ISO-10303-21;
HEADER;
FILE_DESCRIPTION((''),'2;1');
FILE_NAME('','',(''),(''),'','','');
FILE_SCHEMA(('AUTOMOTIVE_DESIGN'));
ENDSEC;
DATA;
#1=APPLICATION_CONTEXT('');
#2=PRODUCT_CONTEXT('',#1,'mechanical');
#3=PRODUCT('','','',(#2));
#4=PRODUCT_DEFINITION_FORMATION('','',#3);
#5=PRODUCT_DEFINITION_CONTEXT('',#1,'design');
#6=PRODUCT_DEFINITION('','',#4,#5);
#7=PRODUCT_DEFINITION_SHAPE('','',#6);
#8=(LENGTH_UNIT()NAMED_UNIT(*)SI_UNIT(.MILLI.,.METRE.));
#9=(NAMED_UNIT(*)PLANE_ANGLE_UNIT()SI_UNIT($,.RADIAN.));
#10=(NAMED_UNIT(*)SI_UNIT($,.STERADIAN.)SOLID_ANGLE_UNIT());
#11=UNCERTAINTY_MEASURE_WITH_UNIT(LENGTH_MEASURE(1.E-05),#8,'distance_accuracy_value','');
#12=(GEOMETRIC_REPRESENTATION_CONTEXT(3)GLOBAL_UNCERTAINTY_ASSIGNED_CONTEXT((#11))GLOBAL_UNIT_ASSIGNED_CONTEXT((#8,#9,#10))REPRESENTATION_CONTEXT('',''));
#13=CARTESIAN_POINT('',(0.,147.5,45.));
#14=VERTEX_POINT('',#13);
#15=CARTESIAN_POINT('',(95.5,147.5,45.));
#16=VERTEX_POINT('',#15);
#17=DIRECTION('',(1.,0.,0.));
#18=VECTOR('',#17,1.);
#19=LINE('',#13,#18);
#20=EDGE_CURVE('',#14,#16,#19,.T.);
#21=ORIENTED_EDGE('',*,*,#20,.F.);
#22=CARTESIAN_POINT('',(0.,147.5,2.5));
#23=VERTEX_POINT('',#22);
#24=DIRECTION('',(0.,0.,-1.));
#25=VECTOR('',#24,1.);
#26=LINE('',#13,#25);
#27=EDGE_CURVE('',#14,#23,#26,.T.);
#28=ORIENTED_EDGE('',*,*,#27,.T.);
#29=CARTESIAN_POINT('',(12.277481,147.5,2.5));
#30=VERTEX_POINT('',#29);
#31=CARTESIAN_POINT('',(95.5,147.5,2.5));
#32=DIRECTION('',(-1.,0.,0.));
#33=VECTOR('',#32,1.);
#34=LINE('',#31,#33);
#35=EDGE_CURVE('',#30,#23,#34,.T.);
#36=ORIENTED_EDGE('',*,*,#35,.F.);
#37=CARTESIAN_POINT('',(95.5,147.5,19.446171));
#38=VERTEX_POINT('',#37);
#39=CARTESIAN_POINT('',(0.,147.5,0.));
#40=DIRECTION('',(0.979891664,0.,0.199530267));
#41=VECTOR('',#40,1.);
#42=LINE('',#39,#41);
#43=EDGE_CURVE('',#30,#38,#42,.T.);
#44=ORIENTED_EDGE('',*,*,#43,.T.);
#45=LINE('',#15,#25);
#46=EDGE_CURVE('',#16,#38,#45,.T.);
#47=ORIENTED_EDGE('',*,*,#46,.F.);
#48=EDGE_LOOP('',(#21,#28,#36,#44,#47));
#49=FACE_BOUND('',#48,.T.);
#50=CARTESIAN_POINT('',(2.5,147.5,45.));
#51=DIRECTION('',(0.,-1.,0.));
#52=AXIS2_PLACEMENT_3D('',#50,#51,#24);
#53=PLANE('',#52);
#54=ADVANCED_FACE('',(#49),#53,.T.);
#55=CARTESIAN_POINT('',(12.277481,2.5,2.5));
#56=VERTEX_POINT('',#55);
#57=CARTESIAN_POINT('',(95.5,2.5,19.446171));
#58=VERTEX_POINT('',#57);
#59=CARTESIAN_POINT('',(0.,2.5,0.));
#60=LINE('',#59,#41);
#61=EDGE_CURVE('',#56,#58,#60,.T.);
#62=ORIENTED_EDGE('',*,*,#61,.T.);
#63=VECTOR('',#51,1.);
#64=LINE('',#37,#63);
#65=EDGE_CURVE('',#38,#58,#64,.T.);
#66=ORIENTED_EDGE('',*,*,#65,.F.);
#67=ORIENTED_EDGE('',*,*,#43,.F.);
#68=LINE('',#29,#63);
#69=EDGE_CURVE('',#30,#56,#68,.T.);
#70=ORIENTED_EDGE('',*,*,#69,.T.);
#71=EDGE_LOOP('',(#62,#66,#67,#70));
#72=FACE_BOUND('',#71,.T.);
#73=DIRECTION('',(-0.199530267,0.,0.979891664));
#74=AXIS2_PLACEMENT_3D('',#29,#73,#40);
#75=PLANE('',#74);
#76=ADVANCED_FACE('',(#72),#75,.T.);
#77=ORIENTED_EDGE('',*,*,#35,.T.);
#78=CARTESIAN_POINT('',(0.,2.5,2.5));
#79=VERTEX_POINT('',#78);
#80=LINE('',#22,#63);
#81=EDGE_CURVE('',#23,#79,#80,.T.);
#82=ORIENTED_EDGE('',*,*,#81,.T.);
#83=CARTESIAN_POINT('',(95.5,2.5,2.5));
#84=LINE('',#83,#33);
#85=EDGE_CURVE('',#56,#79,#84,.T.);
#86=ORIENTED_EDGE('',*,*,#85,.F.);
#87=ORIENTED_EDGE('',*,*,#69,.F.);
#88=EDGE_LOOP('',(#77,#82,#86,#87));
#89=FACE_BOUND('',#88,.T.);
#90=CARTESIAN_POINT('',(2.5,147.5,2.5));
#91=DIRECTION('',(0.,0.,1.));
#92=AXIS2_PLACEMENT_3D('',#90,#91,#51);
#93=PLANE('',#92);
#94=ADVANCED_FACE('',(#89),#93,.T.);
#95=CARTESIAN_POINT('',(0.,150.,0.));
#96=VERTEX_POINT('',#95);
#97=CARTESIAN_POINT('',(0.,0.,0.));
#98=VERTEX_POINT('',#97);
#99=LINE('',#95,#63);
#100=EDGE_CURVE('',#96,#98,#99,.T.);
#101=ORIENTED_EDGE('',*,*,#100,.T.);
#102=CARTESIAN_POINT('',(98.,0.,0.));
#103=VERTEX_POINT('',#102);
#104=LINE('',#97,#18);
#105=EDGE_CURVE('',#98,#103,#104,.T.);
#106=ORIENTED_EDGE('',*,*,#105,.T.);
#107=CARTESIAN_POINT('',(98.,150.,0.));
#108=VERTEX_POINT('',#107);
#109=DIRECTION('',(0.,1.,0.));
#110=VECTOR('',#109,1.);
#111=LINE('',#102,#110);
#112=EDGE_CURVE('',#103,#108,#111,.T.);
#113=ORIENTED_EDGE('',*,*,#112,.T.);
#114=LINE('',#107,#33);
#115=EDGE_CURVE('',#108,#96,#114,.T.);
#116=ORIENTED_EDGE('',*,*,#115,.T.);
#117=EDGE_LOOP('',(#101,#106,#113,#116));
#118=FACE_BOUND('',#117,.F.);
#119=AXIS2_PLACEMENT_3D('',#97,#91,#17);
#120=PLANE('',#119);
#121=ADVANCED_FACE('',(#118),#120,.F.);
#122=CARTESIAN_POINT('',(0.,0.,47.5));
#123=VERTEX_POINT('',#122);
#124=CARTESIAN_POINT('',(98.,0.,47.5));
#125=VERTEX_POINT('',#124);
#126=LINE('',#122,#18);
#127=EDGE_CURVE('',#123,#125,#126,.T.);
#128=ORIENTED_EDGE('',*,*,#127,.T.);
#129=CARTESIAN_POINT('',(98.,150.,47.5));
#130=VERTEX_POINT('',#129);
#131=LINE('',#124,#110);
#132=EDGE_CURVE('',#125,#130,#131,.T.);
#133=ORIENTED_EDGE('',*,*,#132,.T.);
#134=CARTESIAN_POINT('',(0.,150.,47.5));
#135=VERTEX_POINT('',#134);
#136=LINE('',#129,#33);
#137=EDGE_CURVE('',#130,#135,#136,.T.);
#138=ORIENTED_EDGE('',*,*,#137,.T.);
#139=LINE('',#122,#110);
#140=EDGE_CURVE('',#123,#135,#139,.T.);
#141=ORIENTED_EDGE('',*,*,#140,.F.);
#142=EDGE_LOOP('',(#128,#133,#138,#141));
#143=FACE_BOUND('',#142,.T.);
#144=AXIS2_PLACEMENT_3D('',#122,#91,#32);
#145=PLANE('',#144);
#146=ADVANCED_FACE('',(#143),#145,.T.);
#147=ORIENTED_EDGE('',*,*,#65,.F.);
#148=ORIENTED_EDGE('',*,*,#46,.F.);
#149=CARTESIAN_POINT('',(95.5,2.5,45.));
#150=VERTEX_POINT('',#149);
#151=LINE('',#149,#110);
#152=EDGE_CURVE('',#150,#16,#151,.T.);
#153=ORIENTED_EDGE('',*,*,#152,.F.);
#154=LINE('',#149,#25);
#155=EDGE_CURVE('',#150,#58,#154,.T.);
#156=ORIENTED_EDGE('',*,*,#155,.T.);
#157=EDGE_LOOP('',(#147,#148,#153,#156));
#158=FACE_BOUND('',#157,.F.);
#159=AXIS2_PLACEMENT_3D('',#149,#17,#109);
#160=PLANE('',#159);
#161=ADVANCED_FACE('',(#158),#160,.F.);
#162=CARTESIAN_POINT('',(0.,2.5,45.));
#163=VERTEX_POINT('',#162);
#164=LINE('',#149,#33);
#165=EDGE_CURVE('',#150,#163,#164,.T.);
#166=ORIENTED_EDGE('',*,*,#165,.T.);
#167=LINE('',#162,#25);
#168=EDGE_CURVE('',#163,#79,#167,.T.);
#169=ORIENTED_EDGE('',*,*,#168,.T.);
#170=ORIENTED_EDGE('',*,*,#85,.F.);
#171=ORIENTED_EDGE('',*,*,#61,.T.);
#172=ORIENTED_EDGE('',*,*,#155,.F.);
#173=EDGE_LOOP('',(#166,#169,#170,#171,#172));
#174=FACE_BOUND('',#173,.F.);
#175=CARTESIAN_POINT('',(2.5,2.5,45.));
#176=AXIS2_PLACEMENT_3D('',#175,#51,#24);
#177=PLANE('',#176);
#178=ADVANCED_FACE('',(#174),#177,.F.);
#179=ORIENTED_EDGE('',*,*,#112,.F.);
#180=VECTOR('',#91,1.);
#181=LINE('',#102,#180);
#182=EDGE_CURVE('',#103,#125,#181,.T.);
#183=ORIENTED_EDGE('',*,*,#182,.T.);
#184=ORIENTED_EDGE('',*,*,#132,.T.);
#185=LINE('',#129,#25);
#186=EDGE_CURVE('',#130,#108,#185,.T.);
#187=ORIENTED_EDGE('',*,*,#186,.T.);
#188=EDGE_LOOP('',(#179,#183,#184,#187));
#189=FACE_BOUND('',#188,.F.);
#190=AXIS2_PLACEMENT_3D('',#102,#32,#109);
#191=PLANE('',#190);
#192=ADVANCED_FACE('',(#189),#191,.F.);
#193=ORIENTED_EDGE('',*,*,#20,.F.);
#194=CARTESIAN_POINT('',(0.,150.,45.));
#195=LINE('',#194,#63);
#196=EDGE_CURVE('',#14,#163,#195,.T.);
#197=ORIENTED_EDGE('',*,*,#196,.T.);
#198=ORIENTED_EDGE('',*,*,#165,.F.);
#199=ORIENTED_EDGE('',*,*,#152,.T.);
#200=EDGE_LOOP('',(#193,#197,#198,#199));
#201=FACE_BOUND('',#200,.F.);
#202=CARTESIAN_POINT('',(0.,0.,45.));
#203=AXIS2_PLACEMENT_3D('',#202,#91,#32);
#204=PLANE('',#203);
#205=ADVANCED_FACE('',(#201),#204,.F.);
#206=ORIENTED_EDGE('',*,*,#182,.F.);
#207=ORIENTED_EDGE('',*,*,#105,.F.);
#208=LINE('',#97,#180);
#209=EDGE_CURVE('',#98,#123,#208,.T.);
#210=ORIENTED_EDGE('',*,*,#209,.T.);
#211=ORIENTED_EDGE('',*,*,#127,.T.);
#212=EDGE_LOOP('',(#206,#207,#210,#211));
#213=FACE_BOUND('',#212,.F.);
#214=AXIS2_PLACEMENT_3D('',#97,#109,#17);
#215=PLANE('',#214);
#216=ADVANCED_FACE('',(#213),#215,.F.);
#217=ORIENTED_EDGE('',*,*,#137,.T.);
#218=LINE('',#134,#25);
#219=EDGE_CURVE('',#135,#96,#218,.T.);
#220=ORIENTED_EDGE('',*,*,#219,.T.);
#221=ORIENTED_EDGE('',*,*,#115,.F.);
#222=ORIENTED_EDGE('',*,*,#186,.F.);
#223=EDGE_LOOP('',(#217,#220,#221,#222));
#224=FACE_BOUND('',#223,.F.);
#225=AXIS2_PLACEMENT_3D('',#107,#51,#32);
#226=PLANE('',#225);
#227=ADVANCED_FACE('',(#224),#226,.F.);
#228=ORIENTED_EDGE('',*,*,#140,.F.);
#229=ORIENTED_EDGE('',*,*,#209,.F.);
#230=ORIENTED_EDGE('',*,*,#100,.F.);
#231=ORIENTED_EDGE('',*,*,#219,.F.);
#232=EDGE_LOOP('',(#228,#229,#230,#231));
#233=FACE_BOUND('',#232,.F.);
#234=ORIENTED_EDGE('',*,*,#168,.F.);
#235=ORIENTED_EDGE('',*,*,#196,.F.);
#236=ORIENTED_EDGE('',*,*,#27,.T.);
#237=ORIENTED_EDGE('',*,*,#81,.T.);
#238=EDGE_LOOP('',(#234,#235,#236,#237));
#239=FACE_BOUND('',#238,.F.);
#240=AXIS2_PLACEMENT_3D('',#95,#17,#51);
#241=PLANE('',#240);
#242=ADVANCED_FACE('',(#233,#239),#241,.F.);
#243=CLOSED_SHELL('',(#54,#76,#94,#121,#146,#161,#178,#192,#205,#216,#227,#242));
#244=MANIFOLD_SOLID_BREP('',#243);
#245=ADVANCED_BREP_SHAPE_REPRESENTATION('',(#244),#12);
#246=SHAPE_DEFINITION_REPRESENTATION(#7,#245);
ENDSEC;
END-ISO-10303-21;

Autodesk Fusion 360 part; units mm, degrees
sketch "Sketch1" plane through (0, 0, 0) normal (0, 0, 1) x (1, 0, 0)
  line L0 (0, 0) -> (98, 0)
  line L1 (98, 0) -> (98, 150)
  line L2 (98, 150) -> (0, 150)
  line L3 (0, 150) -> (0, 0)
  dimension "d1" = 98
  dimension "d2" = 150
extrude "Extrude1" add sketch "Sketch1" along normal blind 45
sketch "Sketch2" plane through (0, 0, 45) normal (0, 0, 1) x (-1, 0, 0)
  line L0 (0, -150) -> (0, 0)
  line L1 (0, 0) -> (-98, 0)
  line L2 (-98, 0) -> (-98, -150)
  line L3 (-98, -150) -> (0, -150)
  line L4 (0, 0) -> (-2.5, 0)
  line L5 (-2.5, 0) -> (-2.5, -2.5)
  line L6 (-2.5, -2.5) -> (-95.5, -2.5)
  line L7 (-95.5, -2.5) -> (-95.5, -147.5)
  line L8 (-95.5, -147.5) -> (-2.5, -147.5)
  line L9 (-2.5, -147.5) -> (-2.5, -2.5)
  dimension "d5" = 2.5
  dimension "d6" = 2.5
  dimension "d7" = 93
  dimension "d8" = 145
extrude "Extrude2" cut sketch "Sketch2" against normal blind 42.5 contours L6 L7 L8 L9
extrude "Extrude3" cut 1 faces at (2.5, 99.1667, 16.6667) along direction (-1, 0, 0) blind 2.5
sketch "Sketch3" plane through (95.5, 0, 0) normal (-1, 0, 0) x (0, -1, 0)
  line L0 (-2.5, 45) -> (-147.5, 45)
  line L1 (-147.5, 45) -> (-147.5, 2.5)
  line L2 (-147.5, 2.5) -> (-2.5, 2.5)
  line L3 (-2.5, 2.5) -> (-2.5, 45)
sketch "Sketch4" plane through (0, 147.5, 0) normal (0, -1, 0) x (1, 0, 0)
  line L0 (95.5, 45) -> (0, 45)
  line L1 (0, 45) -> (0, 2.5)
  line L2 (0, 2.5) -> (95.5, 2.5)
  line L3 (95.5, 2.5) -> (95.5, 45)
  line L4 (0, 0) -> (97.9689, 19.9489)
extrude "Extrude4" add sketch "Sketch4" along normal blind 145 contours L2 L3 L4
sketch "Sketch7" plane through (0, 0, 45) normal (0, 0, 1) x (-1, 0, 0)
  line L0 (0, -147.5) -> (-95.5, -147.5)
  line L1 (-95.5, -147.5) -> (-95.5, -2.5)
  line L2 (-95.5, -2.5) -> (0, -2.5)
  line L3 (0, -2.5) -> (0, 0)
  line L4 (0, 0) -> (-98, 0)
  line L5 (-98, 0) -> (-98, -150)
  line L6 (-98, -150) -> (0, -150)
  line L7 (0, -150) -> (0, -147.5)
  line L8 (-98, 0) -> (0, 0)
  line L9 (0, 0) -> (0, -150)
  line L10 (0, -150) -> (-98, -150)
  line L11 (-98, -150) -> (-98, 0)
  dimension "d19" = 98
  dimension "d20" = 150
extrude "Extrude5" add sketch "Sketch7" along normal blind 2.5
fillet "Fillet1" [suppressed]
fillet "Fillet2" [suppressed]
sketch "Sketch5" plane through (95.5, 0, 0) normal (-1, 0, 0) x (0, -1, 0)
sketch "Sketch6" plane through (95.5, 0, 0) normal (-1, 0, 0) x (0, -1, 0)
